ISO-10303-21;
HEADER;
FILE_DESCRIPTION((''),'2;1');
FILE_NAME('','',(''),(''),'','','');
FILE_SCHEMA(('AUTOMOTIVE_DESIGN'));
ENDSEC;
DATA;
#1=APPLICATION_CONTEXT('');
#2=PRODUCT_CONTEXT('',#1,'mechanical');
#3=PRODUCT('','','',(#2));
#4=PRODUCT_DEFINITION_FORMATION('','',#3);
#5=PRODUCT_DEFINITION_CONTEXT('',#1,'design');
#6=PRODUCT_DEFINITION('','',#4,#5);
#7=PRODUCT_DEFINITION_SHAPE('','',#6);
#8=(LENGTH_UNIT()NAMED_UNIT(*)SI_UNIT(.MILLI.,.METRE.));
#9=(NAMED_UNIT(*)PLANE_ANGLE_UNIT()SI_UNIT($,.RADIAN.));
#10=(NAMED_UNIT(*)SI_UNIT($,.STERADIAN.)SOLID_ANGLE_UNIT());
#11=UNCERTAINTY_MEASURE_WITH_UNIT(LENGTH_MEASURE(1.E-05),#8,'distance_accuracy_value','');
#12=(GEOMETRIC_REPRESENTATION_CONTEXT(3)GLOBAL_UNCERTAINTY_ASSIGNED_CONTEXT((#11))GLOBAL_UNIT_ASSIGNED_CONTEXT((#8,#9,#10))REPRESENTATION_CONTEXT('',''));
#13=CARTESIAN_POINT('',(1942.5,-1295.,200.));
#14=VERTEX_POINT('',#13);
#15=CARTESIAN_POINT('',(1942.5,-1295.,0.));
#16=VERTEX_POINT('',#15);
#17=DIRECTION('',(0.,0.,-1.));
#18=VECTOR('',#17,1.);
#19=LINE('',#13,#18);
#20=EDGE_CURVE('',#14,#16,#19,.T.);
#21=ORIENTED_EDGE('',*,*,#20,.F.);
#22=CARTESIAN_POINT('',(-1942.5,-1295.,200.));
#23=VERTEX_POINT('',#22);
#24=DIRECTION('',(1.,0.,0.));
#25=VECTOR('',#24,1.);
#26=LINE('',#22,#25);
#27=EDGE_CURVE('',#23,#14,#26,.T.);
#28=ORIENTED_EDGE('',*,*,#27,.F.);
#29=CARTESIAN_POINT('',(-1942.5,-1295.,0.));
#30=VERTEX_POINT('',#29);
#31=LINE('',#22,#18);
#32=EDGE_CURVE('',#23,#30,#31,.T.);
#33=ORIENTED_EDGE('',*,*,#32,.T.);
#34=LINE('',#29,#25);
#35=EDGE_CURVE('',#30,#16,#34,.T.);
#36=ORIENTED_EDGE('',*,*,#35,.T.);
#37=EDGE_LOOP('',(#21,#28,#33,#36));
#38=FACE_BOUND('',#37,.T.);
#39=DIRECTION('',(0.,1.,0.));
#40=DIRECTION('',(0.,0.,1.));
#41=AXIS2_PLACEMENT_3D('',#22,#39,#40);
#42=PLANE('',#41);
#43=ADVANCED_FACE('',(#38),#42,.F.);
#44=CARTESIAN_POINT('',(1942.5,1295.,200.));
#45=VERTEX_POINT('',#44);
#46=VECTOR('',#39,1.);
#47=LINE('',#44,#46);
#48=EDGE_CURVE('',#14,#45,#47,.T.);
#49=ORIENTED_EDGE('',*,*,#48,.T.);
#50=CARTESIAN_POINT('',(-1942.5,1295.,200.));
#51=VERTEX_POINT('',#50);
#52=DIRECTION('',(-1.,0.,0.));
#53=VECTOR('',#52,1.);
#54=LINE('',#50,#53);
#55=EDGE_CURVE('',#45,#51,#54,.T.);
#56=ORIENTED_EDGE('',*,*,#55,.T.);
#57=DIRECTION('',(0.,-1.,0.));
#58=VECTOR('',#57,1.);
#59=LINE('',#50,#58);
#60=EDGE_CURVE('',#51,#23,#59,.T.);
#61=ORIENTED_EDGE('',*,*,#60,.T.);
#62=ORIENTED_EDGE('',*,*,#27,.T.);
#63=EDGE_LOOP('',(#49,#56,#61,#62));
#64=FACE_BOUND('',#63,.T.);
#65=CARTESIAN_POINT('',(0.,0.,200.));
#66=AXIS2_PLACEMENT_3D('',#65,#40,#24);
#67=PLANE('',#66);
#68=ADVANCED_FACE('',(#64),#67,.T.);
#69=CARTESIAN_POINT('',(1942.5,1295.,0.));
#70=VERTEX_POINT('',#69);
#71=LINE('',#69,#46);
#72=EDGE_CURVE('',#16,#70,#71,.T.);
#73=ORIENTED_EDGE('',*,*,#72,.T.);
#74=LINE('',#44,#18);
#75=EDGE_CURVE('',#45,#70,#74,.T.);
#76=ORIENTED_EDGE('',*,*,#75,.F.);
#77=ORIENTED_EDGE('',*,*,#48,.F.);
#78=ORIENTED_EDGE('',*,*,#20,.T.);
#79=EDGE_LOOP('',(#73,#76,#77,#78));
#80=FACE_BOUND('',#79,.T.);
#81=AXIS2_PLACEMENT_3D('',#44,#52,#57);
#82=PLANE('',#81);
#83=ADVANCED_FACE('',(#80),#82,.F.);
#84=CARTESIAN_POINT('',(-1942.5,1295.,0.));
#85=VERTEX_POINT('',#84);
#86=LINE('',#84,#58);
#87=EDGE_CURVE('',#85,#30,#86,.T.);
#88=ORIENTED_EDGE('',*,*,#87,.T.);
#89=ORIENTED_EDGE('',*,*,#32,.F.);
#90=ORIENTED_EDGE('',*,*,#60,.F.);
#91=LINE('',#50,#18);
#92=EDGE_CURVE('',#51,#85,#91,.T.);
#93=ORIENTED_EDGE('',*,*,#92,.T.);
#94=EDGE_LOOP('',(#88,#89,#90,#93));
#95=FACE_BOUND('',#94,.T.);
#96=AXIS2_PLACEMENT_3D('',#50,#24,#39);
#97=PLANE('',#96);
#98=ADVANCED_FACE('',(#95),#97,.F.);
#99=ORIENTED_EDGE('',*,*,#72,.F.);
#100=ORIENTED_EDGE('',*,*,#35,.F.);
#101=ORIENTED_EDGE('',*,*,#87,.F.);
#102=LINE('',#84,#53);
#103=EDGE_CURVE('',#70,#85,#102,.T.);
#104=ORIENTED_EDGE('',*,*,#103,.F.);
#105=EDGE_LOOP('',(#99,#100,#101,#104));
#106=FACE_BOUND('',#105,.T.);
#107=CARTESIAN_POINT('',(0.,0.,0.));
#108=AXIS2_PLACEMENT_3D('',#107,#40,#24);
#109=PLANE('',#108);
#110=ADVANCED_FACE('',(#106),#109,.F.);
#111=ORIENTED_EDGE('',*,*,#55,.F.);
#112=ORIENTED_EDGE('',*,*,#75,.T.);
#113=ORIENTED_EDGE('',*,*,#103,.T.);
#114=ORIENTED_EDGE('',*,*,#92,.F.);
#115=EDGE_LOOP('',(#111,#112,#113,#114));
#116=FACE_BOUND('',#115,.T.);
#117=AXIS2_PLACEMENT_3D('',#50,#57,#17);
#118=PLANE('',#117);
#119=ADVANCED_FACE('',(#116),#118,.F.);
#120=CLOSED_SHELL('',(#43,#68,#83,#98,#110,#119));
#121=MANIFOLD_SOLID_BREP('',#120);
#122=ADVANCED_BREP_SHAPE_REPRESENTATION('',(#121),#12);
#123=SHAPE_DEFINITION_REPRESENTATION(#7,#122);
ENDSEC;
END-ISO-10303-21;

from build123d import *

# Parameters (mm, degrees)
SKETCH_1_W      = 3885
SKETCH_1_H      = 2590
EXTRUDE_1_DEPTH = 200


with BuildPart() as part:
    # Эскиз1 → Бобышка-Вытянуть1 (new body)
    with BuildSketch(Plane.XY):
        Rectangle(SKETCH_1_W, SKETCH_1_H)
    extrude(amount=EXTRUDE_1_DEPTH)


solid = part.part
